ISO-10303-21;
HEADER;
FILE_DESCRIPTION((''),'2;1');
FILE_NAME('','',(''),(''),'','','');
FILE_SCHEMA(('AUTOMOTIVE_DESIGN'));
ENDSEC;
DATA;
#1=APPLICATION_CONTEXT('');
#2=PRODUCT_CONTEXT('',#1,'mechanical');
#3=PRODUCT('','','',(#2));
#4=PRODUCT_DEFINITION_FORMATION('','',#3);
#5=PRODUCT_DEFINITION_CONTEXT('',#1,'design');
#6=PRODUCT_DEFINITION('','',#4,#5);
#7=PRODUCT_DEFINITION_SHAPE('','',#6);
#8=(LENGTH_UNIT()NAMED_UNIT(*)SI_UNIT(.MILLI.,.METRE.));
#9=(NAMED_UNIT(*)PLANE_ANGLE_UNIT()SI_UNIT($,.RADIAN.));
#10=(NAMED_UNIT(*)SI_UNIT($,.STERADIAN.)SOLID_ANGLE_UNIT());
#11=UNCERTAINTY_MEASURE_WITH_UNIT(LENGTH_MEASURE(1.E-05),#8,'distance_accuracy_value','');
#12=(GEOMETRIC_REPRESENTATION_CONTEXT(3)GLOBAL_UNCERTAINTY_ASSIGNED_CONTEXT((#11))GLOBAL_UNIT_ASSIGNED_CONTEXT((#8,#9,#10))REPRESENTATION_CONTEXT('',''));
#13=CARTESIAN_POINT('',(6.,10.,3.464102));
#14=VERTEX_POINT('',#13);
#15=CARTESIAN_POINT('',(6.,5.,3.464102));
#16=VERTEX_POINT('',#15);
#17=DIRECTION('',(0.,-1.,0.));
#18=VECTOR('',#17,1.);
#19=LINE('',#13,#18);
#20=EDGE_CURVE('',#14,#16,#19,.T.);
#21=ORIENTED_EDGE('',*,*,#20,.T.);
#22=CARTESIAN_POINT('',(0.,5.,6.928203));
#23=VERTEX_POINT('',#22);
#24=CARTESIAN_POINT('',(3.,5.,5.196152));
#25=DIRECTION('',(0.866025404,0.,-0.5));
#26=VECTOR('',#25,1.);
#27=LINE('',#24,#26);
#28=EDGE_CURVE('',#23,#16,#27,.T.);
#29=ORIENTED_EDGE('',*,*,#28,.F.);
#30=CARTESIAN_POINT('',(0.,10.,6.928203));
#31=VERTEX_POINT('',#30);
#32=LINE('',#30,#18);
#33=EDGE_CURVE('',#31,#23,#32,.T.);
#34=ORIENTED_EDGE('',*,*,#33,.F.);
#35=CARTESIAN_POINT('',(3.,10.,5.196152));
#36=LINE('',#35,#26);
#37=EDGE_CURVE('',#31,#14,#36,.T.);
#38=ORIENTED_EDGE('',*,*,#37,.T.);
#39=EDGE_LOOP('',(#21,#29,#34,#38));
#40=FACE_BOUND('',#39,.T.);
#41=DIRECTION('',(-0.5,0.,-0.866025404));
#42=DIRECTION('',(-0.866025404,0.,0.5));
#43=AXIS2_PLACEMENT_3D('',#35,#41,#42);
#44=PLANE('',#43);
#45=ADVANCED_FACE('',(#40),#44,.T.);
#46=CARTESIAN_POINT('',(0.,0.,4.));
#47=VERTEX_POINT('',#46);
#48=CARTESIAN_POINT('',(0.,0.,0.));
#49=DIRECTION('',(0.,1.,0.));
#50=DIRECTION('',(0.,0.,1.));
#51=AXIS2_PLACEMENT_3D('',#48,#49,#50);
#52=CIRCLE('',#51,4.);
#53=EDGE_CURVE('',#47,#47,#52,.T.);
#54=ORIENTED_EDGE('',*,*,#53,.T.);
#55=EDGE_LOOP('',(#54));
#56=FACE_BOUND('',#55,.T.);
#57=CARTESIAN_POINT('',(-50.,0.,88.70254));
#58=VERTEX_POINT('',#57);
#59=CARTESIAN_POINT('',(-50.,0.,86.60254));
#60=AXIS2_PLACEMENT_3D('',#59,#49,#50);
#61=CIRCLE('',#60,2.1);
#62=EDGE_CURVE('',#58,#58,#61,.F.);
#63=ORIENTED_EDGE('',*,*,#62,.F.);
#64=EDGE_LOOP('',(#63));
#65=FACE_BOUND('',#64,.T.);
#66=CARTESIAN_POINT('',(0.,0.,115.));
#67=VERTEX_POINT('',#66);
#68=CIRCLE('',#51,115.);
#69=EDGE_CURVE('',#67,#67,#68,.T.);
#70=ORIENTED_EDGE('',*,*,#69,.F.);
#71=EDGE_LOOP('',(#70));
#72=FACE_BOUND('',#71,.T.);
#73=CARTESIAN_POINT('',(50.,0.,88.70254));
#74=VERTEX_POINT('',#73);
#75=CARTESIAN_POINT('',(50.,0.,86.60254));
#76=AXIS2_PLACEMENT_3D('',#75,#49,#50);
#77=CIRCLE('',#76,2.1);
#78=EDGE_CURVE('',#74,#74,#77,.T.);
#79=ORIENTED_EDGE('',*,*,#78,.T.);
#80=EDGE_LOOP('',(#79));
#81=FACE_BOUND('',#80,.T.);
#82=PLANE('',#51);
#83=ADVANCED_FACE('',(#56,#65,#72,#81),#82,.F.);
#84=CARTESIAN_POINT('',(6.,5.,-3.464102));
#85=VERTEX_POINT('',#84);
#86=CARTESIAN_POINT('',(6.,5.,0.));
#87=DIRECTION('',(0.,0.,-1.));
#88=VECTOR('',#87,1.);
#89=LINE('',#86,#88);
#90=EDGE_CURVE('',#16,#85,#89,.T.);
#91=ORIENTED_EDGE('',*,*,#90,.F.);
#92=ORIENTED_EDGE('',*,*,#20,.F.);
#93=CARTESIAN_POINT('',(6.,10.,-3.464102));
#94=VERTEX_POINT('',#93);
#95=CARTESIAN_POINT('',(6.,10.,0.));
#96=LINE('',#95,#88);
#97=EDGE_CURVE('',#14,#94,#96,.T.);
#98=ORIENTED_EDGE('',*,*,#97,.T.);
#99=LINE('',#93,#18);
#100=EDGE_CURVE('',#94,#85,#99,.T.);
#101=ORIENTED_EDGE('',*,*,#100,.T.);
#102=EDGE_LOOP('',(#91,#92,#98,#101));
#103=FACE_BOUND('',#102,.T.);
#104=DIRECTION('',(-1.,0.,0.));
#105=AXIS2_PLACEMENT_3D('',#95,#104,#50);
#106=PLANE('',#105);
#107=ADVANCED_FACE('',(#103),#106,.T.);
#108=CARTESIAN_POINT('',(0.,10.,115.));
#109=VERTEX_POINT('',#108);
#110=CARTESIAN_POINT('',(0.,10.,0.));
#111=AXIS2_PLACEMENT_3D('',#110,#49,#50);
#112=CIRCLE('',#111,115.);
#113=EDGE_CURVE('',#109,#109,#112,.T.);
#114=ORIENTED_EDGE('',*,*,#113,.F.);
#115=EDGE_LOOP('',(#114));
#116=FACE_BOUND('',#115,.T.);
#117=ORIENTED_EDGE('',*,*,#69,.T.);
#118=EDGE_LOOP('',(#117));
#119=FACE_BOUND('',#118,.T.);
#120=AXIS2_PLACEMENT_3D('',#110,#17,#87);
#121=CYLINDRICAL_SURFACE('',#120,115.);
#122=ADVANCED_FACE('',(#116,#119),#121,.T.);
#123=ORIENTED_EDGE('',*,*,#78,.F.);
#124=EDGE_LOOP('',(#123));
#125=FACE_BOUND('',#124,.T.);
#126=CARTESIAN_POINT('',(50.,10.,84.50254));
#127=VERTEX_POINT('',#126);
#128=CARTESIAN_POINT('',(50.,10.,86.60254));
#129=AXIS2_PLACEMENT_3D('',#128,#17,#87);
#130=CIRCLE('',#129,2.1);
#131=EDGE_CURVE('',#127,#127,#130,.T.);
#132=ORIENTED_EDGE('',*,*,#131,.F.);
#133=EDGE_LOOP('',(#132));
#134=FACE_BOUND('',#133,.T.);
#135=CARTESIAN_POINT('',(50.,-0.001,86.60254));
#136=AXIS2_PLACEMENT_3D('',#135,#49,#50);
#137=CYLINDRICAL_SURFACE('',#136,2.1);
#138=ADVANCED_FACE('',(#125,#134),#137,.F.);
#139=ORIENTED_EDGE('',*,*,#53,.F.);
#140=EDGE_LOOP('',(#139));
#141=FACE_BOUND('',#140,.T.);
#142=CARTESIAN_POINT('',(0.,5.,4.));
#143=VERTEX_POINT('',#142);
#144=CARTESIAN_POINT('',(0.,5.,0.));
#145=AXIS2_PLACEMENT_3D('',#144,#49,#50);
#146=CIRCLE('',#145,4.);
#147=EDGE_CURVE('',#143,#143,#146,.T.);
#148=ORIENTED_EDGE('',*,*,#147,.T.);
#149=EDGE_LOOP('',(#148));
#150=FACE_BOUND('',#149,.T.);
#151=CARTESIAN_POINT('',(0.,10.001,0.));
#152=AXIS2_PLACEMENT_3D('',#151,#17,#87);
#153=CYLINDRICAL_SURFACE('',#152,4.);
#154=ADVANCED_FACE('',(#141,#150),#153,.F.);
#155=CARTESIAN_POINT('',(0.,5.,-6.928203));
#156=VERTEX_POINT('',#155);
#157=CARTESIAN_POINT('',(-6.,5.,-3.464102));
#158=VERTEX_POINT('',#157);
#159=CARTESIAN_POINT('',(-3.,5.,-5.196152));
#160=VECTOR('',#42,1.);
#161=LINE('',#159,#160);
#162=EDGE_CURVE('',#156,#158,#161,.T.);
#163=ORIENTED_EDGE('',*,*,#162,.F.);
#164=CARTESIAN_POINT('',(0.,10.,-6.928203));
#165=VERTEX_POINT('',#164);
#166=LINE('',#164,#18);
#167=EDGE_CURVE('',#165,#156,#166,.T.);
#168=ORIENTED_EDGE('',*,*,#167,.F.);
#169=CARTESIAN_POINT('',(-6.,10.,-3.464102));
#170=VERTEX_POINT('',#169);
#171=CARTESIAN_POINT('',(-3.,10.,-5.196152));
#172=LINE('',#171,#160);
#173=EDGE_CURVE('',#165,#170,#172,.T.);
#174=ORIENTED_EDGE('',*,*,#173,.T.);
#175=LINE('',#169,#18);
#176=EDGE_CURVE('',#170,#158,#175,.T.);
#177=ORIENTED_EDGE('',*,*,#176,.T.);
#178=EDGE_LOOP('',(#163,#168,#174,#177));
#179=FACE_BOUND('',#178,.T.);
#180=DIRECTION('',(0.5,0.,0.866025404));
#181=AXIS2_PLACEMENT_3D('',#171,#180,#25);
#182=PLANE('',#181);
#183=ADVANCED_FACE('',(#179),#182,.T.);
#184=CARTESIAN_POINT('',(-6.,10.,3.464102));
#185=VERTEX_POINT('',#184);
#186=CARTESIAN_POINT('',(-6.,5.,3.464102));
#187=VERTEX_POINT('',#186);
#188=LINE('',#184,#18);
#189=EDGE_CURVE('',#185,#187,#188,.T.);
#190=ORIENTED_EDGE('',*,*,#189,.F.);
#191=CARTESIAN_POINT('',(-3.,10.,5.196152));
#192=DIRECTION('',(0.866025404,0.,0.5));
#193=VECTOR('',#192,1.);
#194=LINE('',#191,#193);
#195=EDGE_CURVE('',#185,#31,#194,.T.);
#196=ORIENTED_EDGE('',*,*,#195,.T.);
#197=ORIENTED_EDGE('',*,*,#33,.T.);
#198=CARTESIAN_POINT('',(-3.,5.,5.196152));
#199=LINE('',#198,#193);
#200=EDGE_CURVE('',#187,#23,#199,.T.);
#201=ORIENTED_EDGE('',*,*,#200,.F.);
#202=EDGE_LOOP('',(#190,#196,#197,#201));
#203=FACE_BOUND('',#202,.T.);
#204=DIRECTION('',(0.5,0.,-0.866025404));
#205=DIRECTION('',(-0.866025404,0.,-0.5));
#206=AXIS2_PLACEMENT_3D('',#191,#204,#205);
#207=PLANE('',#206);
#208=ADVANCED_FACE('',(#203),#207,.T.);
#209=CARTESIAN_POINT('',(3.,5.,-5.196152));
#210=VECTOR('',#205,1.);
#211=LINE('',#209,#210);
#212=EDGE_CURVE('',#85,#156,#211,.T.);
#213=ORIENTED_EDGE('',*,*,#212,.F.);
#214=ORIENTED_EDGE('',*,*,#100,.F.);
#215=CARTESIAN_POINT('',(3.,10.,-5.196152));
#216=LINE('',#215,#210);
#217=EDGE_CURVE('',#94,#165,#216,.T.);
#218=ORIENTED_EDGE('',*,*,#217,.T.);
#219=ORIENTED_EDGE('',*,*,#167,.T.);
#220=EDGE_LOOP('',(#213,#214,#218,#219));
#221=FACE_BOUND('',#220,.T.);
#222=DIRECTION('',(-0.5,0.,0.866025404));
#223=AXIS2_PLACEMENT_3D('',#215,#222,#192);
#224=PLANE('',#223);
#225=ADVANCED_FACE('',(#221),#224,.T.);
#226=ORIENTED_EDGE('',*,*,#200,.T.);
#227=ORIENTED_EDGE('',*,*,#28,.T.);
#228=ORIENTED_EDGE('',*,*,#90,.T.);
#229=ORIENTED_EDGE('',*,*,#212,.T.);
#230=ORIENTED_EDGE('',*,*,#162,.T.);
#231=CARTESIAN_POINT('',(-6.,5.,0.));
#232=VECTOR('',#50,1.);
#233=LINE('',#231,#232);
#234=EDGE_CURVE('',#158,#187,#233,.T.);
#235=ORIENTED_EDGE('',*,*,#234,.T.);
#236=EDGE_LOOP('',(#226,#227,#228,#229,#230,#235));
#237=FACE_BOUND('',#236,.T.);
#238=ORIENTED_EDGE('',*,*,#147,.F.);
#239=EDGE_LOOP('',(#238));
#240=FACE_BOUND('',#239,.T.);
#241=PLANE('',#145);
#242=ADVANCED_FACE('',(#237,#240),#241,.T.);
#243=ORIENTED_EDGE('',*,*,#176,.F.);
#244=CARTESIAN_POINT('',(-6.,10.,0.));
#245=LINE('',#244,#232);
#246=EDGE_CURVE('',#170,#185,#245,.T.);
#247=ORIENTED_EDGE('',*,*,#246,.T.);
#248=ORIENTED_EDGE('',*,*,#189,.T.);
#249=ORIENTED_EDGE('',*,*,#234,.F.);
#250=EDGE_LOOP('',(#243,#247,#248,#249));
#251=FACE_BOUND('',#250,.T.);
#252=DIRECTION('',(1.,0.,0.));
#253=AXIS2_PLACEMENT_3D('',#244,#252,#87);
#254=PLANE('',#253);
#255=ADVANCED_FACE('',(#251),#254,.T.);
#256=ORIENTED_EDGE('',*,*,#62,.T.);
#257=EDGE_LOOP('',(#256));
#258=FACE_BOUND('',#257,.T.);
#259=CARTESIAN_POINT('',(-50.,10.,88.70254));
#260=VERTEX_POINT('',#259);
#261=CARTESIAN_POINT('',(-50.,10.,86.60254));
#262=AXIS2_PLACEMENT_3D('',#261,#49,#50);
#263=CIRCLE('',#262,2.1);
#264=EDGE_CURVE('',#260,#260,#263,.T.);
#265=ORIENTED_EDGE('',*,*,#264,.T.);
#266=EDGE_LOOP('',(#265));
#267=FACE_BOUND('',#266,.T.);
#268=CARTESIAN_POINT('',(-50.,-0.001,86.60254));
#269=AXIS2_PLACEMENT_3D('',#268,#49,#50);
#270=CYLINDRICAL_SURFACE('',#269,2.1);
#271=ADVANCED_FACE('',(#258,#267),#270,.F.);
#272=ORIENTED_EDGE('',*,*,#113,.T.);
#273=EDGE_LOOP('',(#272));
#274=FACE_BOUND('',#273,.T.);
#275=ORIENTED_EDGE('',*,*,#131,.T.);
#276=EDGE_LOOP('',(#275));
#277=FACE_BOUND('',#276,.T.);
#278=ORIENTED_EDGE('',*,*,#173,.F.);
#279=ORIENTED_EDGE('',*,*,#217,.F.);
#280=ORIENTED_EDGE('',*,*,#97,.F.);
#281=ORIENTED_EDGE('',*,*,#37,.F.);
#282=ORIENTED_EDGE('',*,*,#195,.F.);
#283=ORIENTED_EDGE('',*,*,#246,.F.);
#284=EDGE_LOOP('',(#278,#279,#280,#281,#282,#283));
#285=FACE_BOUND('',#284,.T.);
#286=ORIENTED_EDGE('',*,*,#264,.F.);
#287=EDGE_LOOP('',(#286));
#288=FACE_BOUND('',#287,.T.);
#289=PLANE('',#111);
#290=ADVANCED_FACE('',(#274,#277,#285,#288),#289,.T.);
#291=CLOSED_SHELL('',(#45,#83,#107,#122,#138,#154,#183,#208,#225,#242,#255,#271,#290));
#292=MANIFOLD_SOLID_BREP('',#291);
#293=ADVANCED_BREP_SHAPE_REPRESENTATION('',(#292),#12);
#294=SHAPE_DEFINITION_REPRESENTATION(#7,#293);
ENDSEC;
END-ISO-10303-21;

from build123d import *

# Parameters (mm, degrees)
SKETCH_2_R          = 115
EXTRUDE_2_DEPTH     = 10
EXTRUDE_3_DEPTH     = 5
CUT_EXTRUDE_2_REACH = 164.942
CUT_EXTRUDE_3_REACH = 164.942
SKETCH_4_R          = 2.1


with BuildPart() as part:
    # 草图2 → 凸台-拉伸2 (new body)
    with BuildSketch(Plane(origin=(0, 0, 0), x_dir=(1, 0, 0), z_dir=(0, 1, 0))):
        Circle(SKETCH_2_R)
        Polygon((6, 3.464101615), (6, -3.464101615), (0, -6.92820323), (-6, -3.464101615), (-6, 3.464101615), (0, 6.92820323), align=None, mode=Mode.SUBTRACT)
    extrude(amount=EXTRUDE_2_DEPTH)

    # 草图2<4> → 凸台-拉伸3 (add)
    with BuildSketch(Plane(origin=(0, 0, 0), x_dir=(1, 0, 0), z_dir=(0, 1, 0))):
        Polygon((0, -6.92820323), (6, -3.464101615), (6, 3.464101615), (0, 6.92820323), (-6, 3.464101615), (-6, -3.464101615), align=None)
    extrude(amount=EXTRUDE_3_DEPTH)

    # 草图2<6> → 切除-拉伸2 (cut, up to next)
    with BuildSketch(Plane(origin=(0, 0, 0), x_dir=(1, 0, 0), z_dir=(0, 1, 0)), mode=Mode.PRIVATE) as cut_extrude_2_sk1:
        with BuildLine():
            ThreePointArc((1.999999959, -3.464101639), (3.464101603, -2.000000021), (4, 0))
            ThreePointArc((4, 0), (3.464101628, 1.999999978), (2.000000044, 3.464101589))
            ThreePointArc((2.000000044, 3.464101589), (-1.8e-08, 4), (-2.000000076, 3.464101571))
            ThreePointArc((-2.000000076, 3.464101571), (-3.464101637, 1.999999962), (-4, 0))
            ThreePointArc((-4, 0), (-3.464101617, -1.999999997), (-2.000000006, -3.464101612))
            ThreePointArc((-2.000000006, -3.464101612), (-2.7e-08, -4), (1.999999959, -3.464101639))
        make_face()
    cut_extrude_2_tool1 = extrude(cut_extrude_2_sk1.sketch, amount=CUT_EXTRUDE_2_REACH, mode=Mode.PRIVATE) & part.part
    add(cut_extrude_2_tool1.solids().sort_by_distance((0, 0, 0))[0], mode=Mode.SUBTRACT)

    # 草图4 → 切除-拉伸3 (cut, up to next)
    with BuildSketch(Plane(origin=(0, 10, 0), x_dir=(1, 0, 0), z_dir=(0, 1, 0)), mode=Mode.PRIVATE) as cut_extrude_3_sk1:
        with Locations((-50, -86.602540378)):
            Circle(SKETCH_4_R)
    cut_extrude_3_tool1 = extrude(cut_extrude_3_sk1.sketch, amount=-CUT_EXTRUDE_3_REACH, mode=Mode.PRIVATE) & part.part
    # 草图4 → 切除-拉伸3 (cut, up to next)
    with BuildSketch(Plane(origin=(0, 10, 0), x_dir=(1, 0, 0), z_dir=(0, 1, 0)), mode=Mode.PRIVATE) as cut_extrude_3_sk2:
        with Locations((50, -86.602540378)):
            Circle(SKETCH_4_R)
    cut_extrude_3_tool2 = extrude(cut_extrude_3_sk2.sketch, amount=-CUT_EXTRUDE_3_REACH, mode=Mode.PRIVATE) & part.part
    add(cut_extrude_3_tool1.solids().sort_by_distance((-50, 10, 86.60254))[0], mode=Mode.SUBTRACT)
    add(cut_extrude_3_tool2.solids().sort_by_distance((50, 10, 86.60254))[0], mode=Mode.SUBTRACT)


solid = part.part
